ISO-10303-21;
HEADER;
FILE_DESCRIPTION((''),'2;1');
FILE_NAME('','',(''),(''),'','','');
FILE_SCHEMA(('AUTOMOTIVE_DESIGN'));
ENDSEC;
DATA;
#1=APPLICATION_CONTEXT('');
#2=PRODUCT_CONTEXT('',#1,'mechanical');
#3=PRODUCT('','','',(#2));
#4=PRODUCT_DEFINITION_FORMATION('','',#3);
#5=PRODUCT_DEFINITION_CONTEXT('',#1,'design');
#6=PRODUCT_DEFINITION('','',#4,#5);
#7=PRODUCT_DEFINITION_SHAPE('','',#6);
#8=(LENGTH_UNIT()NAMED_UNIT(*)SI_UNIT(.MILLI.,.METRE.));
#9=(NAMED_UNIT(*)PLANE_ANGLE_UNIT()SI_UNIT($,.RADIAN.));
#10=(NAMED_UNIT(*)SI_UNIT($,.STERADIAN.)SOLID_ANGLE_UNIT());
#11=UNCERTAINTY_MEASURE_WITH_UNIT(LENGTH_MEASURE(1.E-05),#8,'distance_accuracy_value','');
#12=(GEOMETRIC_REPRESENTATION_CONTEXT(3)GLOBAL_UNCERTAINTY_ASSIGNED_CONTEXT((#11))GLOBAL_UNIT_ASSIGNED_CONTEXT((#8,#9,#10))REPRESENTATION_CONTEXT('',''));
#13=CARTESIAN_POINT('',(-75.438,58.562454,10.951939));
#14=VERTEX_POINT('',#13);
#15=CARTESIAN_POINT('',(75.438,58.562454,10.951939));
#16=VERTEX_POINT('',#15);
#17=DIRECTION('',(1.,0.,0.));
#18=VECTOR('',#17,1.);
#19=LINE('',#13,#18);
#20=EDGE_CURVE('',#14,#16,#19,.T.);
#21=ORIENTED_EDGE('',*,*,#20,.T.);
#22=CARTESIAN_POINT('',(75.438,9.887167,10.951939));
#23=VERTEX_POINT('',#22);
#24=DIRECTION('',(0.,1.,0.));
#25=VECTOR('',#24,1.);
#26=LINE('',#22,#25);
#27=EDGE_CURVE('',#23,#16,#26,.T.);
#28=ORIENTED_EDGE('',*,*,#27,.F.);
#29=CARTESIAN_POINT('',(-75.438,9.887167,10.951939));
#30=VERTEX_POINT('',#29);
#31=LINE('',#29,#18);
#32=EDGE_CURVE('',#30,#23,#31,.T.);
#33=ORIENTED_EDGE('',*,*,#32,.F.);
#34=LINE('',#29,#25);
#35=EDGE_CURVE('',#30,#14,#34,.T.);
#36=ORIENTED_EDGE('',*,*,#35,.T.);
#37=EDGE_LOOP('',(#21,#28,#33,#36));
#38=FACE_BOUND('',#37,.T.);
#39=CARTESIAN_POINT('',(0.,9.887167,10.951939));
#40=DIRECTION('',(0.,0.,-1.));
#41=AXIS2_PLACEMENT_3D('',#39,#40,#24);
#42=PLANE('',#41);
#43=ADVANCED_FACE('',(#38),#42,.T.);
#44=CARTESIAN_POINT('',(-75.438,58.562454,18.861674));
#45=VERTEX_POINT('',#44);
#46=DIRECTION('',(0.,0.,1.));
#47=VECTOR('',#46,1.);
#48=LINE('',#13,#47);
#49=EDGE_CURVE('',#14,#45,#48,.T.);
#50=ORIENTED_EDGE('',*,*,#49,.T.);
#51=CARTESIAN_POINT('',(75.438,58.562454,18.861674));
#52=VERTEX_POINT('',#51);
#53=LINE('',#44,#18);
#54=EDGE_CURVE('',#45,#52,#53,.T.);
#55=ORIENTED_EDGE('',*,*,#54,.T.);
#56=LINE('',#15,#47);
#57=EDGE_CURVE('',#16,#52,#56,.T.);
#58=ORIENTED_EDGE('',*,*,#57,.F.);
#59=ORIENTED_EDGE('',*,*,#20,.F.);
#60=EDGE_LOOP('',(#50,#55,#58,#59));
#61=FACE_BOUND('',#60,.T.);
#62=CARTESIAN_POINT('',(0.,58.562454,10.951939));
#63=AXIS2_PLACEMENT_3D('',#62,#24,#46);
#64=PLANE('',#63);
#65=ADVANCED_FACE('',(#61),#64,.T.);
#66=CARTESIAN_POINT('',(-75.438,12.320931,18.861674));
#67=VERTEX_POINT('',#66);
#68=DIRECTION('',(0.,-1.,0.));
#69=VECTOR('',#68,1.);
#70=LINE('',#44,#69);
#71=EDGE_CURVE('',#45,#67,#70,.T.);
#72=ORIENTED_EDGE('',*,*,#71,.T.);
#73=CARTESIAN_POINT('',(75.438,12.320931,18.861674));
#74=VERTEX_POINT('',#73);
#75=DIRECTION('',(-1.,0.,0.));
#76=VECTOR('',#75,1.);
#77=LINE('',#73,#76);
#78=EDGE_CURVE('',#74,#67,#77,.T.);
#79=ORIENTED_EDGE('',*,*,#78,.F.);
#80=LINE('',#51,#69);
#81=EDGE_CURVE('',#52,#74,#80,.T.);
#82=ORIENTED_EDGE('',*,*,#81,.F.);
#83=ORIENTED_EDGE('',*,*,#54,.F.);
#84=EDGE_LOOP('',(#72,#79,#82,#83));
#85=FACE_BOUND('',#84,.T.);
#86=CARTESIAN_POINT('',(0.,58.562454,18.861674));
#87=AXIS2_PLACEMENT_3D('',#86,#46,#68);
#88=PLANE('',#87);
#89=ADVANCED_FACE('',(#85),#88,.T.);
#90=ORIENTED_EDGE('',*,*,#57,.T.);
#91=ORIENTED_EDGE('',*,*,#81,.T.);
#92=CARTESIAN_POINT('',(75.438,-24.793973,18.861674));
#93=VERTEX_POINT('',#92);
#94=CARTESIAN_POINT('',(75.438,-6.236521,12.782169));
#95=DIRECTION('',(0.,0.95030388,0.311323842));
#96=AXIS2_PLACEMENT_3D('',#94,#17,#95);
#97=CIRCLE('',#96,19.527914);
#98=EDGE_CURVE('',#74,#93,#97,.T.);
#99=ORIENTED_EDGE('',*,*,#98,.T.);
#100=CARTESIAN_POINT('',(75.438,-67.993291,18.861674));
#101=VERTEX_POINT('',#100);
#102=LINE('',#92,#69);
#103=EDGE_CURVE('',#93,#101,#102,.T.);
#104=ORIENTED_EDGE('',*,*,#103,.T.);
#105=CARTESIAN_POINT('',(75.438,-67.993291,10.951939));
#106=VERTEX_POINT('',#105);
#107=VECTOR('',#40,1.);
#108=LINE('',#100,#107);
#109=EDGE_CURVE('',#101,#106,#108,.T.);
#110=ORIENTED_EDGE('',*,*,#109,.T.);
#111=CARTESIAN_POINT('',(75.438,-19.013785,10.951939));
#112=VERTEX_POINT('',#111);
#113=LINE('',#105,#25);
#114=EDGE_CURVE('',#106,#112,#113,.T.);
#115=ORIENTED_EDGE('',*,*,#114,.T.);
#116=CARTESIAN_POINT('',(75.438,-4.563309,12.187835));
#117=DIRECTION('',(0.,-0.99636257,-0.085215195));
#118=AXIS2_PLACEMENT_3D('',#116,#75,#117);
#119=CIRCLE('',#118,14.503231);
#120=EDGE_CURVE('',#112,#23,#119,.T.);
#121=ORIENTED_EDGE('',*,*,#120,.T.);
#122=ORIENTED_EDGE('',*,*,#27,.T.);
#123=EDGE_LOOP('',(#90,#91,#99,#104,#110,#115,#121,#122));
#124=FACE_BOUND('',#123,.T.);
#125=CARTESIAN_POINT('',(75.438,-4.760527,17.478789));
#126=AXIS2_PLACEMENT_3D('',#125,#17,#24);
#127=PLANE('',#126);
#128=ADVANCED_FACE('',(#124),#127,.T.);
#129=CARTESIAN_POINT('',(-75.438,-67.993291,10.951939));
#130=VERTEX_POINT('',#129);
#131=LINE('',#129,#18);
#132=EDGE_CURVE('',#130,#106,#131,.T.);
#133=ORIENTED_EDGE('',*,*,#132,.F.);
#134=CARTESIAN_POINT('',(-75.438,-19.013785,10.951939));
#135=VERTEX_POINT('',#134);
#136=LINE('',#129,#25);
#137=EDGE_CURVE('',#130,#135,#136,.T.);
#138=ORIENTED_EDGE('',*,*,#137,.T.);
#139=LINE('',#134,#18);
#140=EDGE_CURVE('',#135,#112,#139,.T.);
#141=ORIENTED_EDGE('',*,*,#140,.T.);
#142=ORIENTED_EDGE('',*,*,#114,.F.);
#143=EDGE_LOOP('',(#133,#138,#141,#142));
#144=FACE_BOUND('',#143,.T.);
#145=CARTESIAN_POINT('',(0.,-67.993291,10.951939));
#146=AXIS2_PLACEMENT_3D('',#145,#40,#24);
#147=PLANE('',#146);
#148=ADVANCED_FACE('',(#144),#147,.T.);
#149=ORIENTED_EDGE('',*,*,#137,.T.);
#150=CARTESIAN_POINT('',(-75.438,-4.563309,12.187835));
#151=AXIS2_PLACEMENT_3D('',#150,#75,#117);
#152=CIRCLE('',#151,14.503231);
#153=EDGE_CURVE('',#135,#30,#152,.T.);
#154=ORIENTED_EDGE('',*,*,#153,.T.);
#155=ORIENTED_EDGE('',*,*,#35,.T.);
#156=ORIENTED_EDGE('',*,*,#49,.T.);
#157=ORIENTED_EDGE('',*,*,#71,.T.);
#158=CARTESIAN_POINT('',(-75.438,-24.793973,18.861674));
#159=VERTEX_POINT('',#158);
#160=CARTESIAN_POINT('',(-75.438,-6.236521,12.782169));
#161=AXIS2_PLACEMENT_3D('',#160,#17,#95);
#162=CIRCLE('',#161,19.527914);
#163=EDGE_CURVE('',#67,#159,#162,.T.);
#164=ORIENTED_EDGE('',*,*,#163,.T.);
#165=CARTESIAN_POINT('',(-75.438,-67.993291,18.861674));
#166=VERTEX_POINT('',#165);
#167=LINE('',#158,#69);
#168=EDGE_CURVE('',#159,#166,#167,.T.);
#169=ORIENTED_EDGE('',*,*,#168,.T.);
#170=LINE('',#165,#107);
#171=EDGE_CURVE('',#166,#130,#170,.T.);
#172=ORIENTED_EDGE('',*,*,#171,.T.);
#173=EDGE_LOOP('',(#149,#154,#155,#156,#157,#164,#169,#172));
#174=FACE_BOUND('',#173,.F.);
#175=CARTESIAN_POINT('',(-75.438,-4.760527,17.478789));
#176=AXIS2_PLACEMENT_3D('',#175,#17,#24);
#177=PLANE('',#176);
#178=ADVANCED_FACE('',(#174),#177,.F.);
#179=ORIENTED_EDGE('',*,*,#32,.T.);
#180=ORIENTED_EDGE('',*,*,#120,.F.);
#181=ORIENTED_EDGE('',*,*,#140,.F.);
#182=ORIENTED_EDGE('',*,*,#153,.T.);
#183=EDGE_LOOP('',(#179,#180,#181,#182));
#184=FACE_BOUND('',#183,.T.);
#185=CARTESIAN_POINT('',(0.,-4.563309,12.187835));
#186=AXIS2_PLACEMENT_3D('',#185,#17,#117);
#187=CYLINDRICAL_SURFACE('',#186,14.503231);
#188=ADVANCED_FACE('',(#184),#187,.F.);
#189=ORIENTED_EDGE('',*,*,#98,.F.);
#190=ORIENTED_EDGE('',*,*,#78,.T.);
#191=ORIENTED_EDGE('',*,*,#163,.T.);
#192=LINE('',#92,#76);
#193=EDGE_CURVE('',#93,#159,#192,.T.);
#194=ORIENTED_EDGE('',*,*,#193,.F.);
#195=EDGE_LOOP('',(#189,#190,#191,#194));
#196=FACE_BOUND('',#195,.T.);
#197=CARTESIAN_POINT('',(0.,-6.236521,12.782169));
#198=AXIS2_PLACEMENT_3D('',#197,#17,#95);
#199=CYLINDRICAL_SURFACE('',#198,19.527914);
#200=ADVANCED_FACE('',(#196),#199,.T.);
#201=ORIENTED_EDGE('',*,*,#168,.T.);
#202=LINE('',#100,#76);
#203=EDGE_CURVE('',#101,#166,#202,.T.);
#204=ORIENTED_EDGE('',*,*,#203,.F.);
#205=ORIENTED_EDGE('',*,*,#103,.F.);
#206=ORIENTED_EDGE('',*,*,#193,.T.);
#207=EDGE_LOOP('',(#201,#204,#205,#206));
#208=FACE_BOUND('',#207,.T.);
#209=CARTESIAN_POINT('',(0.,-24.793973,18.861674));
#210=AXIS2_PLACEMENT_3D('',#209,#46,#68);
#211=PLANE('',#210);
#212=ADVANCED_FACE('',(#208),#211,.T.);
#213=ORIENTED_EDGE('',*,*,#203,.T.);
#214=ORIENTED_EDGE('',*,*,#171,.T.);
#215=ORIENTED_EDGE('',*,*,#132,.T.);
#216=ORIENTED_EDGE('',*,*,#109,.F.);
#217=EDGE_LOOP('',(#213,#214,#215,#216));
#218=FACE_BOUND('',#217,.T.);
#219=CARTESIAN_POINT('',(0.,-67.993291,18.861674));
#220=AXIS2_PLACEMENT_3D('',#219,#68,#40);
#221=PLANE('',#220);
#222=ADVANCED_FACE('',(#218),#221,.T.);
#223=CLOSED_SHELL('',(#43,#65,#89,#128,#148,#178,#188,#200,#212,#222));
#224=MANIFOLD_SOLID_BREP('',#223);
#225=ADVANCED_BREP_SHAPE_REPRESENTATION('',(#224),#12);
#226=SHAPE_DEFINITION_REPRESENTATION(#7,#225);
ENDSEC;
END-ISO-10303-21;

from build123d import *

# Parameters (mm, degrees)
F1_DEPTH = 75.438


with BuildPart() as f1:
    # F0 (on Right) → F1 (new body, symmetric)
    with BuildSketch(Plane.YZ):
        with BuildLine():
            Line((-67.9932907224, 18.8616737723), (-67.9932907224, 10.9519390389))
            Line((-67.9932907224, 10.9519390389), (-19.0137848258, 10.9519390389))
            ThreePointArc((-19.0137848258, 10.9519390389), (-4.5633087866, 26.6910651898), (9.8871672526, 10.9519390389))
            Line((9.8871672526, 10.9519390389), (58.5624538362, 10.9519390389))
            Line((58.5624538362, 10.9519390389), (58.5624538362, 18.8616737723))
            Line((58.5624538362, 18.8616737723), (12.3209310696, 18.8616737723))
            ThreePointArc((12.3209310696, 18.8616737723), (-6.2365210615, 32.310082323), (-24.7939731926, 18.8616737723))
            Line((-24.7939731926, 18.8616737723), (-67.9932907224, 18.8616737723))
        make_face()
    extrude(amount=F1_DEPTH, both=True)


solid = f1.part
